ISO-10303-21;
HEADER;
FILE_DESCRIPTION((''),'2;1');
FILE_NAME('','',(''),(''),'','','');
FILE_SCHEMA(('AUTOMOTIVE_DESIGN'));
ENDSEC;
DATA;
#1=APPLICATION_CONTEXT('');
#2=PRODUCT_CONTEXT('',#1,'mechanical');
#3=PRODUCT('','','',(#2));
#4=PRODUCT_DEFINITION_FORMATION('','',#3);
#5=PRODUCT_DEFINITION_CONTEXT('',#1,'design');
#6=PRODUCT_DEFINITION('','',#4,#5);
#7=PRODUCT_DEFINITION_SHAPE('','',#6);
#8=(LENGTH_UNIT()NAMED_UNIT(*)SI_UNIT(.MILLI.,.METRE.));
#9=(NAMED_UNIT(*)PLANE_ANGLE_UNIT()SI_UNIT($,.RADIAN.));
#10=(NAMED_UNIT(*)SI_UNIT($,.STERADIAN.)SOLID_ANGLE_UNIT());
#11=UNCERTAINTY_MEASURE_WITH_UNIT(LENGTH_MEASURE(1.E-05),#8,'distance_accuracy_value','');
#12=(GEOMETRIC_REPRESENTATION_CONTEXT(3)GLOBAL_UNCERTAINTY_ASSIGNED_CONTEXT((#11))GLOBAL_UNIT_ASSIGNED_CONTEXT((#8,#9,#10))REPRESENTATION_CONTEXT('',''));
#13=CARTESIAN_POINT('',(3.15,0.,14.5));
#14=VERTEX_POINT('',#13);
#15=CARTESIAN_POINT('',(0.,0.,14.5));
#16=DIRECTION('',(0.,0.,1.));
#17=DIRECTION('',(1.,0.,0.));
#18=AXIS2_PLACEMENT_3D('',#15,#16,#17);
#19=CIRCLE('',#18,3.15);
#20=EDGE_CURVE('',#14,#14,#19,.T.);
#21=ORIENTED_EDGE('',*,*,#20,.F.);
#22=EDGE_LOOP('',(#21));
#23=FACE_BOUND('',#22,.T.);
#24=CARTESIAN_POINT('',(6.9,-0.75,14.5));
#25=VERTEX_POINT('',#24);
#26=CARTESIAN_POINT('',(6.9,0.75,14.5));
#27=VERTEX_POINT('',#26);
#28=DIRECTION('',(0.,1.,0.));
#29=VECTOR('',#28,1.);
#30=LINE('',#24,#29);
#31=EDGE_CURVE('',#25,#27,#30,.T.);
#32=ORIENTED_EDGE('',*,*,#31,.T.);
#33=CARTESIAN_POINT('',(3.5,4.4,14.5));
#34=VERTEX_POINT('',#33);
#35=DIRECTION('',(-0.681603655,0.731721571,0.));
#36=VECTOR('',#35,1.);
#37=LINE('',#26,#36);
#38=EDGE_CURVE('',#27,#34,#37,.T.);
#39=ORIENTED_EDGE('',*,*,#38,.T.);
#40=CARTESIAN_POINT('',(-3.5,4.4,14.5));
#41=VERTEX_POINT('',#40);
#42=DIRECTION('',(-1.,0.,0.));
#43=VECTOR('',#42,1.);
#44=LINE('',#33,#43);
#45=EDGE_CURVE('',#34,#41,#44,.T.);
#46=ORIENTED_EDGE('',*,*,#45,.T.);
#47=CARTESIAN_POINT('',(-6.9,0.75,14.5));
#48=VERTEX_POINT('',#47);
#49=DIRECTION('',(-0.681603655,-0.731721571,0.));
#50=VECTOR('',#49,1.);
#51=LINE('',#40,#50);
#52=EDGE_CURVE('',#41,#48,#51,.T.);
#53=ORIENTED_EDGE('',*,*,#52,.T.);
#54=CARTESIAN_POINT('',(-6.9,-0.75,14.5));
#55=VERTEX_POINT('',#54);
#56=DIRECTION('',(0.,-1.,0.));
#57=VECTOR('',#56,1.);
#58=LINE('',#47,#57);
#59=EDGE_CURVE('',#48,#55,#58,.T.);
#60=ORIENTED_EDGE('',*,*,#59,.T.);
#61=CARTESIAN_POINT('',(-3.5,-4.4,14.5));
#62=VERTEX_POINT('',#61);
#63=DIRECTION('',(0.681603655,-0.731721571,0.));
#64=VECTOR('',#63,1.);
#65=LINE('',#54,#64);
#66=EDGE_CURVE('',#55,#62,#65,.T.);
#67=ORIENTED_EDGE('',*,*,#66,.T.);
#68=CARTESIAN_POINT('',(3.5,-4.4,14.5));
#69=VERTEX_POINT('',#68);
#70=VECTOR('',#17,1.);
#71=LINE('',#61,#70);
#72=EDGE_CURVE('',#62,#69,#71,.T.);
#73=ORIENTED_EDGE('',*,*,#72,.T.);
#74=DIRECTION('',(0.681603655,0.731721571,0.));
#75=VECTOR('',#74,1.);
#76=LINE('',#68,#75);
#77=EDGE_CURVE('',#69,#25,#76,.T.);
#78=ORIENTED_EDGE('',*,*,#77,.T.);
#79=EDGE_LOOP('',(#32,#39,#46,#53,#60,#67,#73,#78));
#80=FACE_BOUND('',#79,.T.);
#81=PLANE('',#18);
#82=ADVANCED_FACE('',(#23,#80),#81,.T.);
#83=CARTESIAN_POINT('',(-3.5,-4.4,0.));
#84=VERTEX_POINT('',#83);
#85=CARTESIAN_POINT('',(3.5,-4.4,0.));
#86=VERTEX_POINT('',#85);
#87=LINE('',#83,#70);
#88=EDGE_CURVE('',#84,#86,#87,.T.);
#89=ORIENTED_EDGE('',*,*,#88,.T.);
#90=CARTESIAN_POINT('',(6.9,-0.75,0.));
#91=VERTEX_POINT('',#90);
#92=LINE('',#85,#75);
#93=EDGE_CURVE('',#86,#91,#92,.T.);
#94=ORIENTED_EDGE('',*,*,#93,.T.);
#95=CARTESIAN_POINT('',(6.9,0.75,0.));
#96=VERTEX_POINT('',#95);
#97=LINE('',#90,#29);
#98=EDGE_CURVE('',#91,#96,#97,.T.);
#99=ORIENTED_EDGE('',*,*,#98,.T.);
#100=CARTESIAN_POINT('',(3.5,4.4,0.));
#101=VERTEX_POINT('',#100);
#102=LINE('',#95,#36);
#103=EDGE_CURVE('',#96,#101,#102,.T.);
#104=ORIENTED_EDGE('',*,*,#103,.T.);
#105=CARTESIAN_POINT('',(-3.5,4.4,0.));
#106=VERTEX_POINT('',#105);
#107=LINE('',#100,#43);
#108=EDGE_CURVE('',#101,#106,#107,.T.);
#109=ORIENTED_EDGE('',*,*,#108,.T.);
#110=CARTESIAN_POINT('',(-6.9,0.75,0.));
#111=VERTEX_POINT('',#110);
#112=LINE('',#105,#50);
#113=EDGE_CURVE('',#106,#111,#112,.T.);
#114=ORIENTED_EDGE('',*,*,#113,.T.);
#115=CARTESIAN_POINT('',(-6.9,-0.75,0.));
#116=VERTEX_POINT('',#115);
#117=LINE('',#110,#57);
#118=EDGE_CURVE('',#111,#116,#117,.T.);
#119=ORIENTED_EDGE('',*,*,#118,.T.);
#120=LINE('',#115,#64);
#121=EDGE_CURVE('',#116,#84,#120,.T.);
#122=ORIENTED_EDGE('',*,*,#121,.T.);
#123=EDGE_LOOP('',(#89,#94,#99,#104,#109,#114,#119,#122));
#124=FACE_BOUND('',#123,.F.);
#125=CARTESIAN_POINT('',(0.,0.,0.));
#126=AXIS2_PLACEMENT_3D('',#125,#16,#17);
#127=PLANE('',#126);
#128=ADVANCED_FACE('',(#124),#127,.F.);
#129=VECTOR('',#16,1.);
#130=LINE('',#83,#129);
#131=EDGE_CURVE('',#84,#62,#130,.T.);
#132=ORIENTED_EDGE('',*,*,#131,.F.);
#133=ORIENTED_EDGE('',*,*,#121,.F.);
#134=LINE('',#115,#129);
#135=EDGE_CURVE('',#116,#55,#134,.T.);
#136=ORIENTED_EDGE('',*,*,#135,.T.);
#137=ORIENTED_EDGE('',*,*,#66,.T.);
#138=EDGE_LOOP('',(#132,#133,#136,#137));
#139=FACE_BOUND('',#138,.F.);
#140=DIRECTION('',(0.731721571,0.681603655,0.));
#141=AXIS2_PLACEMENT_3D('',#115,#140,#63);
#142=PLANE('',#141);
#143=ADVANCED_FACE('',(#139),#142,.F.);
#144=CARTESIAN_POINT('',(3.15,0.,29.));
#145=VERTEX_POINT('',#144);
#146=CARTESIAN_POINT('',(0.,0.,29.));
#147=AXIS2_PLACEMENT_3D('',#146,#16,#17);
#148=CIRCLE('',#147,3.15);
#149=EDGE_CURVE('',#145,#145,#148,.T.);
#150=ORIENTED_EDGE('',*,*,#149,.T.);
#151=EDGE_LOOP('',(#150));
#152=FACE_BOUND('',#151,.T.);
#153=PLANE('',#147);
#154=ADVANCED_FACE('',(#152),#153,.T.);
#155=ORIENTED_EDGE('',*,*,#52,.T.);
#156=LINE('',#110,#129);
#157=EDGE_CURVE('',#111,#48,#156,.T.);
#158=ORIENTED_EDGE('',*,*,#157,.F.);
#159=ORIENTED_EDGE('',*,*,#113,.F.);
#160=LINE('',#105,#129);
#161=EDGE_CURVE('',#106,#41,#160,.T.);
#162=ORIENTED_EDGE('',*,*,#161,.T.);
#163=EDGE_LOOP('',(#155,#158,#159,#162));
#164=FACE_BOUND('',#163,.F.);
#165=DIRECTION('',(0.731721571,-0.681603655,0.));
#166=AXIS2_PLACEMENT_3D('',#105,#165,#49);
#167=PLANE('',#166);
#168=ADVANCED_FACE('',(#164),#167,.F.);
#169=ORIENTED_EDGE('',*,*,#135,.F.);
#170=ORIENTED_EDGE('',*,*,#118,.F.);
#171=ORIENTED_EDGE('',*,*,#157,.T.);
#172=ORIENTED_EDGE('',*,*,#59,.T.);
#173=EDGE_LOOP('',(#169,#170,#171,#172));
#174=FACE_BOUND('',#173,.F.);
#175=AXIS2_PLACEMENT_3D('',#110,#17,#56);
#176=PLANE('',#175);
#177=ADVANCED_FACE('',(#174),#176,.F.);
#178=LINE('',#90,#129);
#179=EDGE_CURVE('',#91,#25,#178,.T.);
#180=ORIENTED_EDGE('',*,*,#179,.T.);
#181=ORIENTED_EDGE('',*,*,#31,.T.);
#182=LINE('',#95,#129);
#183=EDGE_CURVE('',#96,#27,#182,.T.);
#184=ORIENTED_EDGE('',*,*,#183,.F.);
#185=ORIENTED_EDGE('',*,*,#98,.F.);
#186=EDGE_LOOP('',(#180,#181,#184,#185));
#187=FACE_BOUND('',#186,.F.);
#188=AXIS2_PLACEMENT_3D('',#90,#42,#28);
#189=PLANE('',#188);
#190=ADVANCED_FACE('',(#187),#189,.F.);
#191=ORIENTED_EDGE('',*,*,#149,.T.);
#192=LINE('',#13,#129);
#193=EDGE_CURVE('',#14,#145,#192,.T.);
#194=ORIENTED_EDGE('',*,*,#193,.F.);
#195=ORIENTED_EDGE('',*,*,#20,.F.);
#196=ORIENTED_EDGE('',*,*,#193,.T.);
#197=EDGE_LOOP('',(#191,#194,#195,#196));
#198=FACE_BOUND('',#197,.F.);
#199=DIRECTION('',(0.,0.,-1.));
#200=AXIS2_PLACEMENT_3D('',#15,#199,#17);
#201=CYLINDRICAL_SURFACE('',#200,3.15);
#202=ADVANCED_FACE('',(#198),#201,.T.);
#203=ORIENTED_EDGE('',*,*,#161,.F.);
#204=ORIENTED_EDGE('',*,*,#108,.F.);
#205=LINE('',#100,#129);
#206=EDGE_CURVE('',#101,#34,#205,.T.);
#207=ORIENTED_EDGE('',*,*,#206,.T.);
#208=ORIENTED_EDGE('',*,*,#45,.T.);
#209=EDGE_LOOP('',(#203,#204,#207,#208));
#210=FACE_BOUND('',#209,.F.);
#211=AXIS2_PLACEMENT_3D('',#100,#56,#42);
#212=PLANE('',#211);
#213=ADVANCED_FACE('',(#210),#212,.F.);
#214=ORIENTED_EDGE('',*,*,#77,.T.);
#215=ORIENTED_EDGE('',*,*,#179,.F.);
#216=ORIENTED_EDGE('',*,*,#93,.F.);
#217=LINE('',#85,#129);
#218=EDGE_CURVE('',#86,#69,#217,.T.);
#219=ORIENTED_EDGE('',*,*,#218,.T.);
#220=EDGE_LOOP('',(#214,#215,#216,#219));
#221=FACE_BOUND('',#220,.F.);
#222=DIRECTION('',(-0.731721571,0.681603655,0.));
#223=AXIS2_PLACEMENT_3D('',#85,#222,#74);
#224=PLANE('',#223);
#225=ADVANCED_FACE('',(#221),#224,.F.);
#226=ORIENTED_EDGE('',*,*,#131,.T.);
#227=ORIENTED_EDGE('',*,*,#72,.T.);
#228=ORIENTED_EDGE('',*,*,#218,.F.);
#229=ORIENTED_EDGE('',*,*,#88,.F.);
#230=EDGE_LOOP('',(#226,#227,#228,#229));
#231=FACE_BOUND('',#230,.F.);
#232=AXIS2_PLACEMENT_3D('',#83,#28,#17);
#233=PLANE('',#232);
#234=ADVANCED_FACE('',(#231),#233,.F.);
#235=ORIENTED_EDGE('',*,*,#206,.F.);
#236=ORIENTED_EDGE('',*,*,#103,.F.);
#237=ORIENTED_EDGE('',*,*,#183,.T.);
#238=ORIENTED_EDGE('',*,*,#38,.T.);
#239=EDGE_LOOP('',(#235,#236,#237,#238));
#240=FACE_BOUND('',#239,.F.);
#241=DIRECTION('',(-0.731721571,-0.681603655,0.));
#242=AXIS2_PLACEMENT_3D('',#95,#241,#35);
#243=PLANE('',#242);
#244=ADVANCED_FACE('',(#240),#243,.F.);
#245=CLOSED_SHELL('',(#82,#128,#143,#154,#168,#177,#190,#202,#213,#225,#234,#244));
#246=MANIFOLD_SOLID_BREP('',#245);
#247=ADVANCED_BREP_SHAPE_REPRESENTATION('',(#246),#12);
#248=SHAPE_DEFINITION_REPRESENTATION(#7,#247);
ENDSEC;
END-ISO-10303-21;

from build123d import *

# Parameters (mm, degrees)
F1_DEPTH = 14.5
F2_R     = 3.15
F3_DEPTH = 14.5


with BuildPart() as f1:
    # F0 (on Top) → F1 (new body)
    with BuildSketch(Plane.XY):
        Polygon((-3.5, -4.4), (0, -4.4), (3.5, -4.4), (6.9, -0.75), (6.9, 0), (6.9, 0.75), (3.5, 4.4), (-3.5, 4.4), (-6.9, 0.75), (-6.9, -0.75), align=None)
    extrude(amount=F1_DEPTH)

    # F2 (on face) → F3 (join)
    with BuildSketch(Plane.XY.offset(14.5)):
        Circle(F2_R)
    extrude(amount=F3_DEPTH)


solid = f1.part
